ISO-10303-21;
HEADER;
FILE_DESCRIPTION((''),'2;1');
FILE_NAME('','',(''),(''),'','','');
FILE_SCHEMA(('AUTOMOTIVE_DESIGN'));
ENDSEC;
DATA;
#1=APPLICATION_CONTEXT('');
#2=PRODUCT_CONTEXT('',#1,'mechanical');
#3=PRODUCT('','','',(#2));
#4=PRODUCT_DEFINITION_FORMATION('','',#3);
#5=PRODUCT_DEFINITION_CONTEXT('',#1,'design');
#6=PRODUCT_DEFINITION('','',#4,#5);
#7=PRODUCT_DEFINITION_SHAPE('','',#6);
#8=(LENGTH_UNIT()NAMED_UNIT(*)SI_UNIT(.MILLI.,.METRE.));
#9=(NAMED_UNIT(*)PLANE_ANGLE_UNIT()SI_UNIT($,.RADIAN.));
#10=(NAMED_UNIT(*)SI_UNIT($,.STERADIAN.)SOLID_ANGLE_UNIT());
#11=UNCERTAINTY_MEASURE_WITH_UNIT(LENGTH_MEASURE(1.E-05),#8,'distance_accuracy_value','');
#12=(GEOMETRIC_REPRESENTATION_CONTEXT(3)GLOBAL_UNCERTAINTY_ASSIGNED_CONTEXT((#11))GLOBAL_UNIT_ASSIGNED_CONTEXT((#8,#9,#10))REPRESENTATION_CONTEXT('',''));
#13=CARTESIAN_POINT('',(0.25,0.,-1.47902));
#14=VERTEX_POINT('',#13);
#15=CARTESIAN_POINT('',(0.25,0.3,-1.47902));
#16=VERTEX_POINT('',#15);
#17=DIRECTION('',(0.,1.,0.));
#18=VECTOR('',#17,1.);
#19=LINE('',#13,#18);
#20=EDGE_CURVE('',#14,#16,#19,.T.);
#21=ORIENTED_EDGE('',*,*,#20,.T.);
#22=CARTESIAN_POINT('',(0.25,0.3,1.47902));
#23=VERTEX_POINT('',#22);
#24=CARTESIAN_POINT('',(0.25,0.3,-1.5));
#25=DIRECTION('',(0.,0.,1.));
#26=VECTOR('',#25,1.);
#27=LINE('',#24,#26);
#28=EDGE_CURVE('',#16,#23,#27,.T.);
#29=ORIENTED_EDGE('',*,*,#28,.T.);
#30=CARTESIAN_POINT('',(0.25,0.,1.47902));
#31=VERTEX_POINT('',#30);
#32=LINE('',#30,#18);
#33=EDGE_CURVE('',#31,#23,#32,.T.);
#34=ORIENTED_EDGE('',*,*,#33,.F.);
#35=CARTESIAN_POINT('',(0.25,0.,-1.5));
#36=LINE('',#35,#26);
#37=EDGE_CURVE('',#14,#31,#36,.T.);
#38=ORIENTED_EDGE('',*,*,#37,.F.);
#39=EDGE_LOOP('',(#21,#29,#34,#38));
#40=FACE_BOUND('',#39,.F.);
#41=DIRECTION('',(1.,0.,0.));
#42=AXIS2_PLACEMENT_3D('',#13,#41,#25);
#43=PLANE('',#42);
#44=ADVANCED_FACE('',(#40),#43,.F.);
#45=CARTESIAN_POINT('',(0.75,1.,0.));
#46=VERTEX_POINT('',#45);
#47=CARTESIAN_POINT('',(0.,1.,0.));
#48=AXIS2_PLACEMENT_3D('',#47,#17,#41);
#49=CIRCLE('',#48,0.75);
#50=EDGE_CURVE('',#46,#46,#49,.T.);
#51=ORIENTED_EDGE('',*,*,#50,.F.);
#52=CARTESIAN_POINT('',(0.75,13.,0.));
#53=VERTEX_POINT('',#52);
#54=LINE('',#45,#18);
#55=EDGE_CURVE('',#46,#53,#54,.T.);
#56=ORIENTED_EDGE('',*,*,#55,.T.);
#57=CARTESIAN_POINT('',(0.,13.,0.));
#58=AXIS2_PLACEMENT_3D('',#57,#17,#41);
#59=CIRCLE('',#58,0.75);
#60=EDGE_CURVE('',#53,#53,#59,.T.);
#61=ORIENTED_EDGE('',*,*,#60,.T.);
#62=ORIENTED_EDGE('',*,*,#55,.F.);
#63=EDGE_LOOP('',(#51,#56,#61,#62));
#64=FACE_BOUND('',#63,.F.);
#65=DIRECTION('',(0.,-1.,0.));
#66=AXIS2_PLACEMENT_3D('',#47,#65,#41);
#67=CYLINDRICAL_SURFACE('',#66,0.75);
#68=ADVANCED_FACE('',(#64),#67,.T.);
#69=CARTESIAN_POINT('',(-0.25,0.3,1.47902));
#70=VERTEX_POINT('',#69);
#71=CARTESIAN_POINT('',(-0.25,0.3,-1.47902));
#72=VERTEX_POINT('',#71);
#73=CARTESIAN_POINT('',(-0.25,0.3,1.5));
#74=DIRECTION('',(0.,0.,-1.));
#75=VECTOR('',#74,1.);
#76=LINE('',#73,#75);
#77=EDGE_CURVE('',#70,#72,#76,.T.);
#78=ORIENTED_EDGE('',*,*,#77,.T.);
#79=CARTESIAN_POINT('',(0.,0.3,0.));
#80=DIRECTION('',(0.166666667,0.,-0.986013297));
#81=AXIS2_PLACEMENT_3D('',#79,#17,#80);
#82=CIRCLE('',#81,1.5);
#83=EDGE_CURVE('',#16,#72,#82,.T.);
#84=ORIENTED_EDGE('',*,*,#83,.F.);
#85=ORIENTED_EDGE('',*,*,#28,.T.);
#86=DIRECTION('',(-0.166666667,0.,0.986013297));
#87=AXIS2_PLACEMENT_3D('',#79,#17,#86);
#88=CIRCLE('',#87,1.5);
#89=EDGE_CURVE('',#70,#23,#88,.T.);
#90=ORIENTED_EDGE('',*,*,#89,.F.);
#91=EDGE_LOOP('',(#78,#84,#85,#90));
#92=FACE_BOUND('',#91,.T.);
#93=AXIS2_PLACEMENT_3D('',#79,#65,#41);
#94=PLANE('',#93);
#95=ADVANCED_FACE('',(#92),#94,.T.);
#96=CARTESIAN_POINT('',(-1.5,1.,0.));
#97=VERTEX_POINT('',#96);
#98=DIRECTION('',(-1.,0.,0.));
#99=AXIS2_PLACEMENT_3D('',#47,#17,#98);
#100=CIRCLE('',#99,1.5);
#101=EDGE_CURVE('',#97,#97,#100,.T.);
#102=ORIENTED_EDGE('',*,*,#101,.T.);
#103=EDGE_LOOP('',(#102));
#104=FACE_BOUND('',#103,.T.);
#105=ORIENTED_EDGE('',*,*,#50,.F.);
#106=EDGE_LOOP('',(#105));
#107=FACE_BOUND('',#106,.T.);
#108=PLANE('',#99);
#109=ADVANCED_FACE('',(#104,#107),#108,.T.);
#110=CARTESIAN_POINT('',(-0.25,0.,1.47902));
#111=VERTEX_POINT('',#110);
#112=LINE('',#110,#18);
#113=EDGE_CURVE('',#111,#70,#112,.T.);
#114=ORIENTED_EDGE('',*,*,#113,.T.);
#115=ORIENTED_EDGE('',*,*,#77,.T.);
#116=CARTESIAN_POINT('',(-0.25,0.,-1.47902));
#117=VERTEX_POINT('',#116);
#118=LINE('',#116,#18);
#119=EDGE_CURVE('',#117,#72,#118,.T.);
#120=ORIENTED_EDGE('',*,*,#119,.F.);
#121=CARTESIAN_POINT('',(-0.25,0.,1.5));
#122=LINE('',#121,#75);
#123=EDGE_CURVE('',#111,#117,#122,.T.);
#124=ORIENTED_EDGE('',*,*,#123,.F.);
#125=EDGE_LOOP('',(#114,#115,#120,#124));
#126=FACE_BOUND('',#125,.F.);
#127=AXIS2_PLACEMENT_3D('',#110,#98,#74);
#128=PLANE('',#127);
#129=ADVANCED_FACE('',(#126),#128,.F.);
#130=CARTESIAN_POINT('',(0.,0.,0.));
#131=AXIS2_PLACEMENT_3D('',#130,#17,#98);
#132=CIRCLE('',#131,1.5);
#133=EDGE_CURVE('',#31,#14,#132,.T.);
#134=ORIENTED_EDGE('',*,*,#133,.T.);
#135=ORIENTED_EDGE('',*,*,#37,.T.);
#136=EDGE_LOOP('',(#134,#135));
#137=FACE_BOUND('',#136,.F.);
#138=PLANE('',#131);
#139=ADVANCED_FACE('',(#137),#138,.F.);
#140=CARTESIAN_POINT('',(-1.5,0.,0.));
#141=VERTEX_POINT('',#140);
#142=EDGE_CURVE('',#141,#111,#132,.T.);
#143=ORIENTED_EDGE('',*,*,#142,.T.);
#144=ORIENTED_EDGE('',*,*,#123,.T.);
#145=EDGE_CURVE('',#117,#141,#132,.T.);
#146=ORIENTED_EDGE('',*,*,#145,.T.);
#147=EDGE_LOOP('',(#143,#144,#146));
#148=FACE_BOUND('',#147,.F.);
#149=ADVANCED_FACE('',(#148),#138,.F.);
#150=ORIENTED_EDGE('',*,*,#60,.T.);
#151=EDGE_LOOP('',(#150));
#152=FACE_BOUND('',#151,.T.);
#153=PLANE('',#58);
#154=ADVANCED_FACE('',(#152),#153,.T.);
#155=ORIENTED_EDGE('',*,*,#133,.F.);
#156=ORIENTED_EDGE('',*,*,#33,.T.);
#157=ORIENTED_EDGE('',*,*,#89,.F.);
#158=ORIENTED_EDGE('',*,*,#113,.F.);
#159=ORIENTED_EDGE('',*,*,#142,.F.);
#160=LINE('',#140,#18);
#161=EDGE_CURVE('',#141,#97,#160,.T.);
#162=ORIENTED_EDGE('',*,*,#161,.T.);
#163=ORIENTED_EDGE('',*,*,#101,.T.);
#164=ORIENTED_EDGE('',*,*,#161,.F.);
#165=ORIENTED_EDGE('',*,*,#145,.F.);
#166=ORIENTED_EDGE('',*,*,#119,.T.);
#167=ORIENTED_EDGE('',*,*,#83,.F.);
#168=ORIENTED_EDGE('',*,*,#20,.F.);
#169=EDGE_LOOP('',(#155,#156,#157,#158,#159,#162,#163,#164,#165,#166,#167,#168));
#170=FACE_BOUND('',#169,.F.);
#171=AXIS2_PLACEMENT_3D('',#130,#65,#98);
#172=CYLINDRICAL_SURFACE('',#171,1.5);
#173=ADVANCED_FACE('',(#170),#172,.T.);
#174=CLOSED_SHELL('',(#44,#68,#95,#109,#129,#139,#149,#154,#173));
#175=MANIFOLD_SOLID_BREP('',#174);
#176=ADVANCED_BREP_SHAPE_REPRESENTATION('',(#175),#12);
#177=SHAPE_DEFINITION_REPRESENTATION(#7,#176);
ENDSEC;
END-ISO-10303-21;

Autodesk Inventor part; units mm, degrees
ref_plane "YZ Plane" through (0, 0, 0) normal (1, 0, 0) x (0, 1, 0)
ref_plane "XZ Plane" through (0, 0, 0) normal (0, 1, 0) x (-1, 0, 0)
ref_plane "XY Plane" through (0, 0, 0) normal (0, 0, 1) x (1, 0, 0)
sketch "Sketch1" plane through (0, 0, 0) normal (0, 1, 0) x (-1, 0, 0)
  circle A0 centre (0, 0) radius 1.5
  dimension "d0" = 3
extrude "Extrusion1" add sketch "Sketch1" along normal blind 1
sketch "Sketch2" plane through (0, 1, 0) normal (0, 1, 0) x (1, 0, 0)
  circle A0 centre (0, 0) radius 0.75
  dimension "d3" = 1.5
extrude "Extrusion2" add sketch "Sketch2" along normal blind 12
sketch "Sketch3" plane through (0, 0, 0) normal (0, -1, 0) x (1, 0, 0)
  line L0 (0.25, 1.5) -> (-0.25, 1.5)
  line L1 (-0.25, 1.5) -> (-0.25, -1.5)
  line L2 (-0.25, -1.5) -> (0.25, -1.5)
  line L3 (0.25, -1.5) -> (0.25, 1.5)
  line L4 (0.25, 1.5) -> (-0.25, -1.5) construction
  line L5 (-0.25, 1.5) -> (0.25, -1.5) construction
  circle A0 centre (0, 0) radius 1.5 projected
  point P0 (0.25, -1.479)
  point P1 (0.25, 1.479)
  point P2 (-0.25, 1.479)
  point P3 (-0.25, -1.479)
  dimension "d6" = 0.5
extrude "Extrusion3" cut sketch "Sketch3" against normal blind 0.3 contours A0 L3 L1
properties part number "m1.5_bolt_12mm" material "Brass, Soft Yellow"
